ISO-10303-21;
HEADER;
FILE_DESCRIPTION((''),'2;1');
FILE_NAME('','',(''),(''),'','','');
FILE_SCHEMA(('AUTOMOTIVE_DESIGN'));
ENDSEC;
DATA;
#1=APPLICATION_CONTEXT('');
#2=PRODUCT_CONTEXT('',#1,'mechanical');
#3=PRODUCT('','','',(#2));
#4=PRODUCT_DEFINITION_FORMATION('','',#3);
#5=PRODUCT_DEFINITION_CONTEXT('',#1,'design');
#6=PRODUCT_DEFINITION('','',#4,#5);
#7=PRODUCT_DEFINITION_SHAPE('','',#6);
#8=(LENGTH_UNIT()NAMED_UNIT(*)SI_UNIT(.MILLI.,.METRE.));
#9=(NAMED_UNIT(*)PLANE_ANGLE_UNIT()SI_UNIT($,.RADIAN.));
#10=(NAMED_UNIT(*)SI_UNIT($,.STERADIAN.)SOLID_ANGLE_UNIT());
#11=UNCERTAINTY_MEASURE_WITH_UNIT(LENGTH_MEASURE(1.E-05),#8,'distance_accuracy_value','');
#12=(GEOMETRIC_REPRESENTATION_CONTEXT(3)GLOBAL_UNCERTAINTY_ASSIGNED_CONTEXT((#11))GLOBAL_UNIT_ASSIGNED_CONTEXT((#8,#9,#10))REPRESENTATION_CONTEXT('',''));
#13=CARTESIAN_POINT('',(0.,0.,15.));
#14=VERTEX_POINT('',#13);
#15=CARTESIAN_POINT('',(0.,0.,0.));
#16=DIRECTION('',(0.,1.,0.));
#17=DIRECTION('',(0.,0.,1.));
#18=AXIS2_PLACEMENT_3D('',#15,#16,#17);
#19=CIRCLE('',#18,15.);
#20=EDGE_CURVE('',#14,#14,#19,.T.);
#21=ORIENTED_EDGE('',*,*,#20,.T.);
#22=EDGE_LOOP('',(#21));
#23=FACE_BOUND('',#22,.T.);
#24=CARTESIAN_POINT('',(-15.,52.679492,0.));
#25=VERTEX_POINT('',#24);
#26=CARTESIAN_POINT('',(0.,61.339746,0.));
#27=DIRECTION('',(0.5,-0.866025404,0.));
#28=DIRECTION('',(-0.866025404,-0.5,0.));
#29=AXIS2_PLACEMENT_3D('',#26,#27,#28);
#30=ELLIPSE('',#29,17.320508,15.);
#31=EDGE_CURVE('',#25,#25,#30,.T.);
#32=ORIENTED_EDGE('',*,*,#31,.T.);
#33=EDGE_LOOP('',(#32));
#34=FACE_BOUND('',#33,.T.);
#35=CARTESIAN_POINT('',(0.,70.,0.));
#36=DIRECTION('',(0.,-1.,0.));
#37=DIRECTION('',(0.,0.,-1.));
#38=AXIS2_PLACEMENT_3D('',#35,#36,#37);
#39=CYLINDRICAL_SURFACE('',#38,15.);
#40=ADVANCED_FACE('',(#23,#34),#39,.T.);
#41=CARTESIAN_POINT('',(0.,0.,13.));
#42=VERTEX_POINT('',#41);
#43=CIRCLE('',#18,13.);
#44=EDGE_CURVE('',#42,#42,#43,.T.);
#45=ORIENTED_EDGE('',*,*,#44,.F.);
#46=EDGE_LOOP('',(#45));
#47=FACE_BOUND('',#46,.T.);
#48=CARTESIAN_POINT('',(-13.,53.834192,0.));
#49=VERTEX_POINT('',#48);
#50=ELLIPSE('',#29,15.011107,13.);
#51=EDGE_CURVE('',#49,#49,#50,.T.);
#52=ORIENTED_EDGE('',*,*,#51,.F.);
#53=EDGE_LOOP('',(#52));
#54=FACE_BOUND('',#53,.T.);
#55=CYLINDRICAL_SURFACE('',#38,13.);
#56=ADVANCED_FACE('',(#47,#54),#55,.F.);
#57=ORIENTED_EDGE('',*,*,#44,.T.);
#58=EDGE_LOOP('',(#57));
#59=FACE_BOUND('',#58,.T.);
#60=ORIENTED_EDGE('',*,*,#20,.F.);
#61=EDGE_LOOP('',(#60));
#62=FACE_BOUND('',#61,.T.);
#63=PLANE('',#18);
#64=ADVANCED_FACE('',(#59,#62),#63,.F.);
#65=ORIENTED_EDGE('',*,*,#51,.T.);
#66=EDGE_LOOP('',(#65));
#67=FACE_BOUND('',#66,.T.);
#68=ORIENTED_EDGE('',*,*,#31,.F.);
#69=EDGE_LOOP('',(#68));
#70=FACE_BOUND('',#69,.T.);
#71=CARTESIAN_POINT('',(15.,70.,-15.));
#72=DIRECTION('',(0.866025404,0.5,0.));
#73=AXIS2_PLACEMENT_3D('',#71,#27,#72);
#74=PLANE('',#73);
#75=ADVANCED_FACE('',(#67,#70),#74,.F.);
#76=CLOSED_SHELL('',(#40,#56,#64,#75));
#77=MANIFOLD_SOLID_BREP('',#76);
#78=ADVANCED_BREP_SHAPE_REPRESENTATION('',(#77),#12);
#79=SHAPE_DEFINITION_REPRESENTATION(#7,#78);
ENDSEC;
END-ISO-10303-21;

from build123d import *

# Parameters (mm, degrees)
SKETCH1_R               = 15
SKETCH1_R_2             = 13
BOSS_EXTRUDE1_DEPTH     = 70
CUT_EXTRUDE1_DEPTH      = 74.143694192
CUT_EXTRUDE1_DEPTH_BACK = 74.143694192


with BuildPart() as part:
    # Sketch1 → Boss-Extrude1 (new body)
    with BuildSketch(Plane(origin=(0, 0, 0), x_dir=(1, 0, 0), z_dir=(0, 1, 0))):
        with Locations(Location((0, 0, 0), (0, 0, 270))):
            Circle(SKETCH1_R)
        with Locations(Location((0, 0, 0), (0, 0, 270))):
            Circle(SKETCH1_R_2, mode=Mode.SUBTRACT)
    extrude(amount=BOSS_EXTRUDE1_DEPTH)

    # Sketch2 → Cut-Extrude1 (cut, two sides: drawn at the far end of the back side and taken through both)
    with BuildSketch(Plane.XY.offset(-CUT_EXTRUDE1_DEPTH_BACK)):
        Polygon((15, 70), (-15, 70), (-15, 52.679491924), align=None)
    extrude(amount=CUT_EXTRUDE1_DEPTH + CUT_EXTRUDE1_DEPTH_BACK, mode=Mode.SUBTRACT)


solid = part.part
